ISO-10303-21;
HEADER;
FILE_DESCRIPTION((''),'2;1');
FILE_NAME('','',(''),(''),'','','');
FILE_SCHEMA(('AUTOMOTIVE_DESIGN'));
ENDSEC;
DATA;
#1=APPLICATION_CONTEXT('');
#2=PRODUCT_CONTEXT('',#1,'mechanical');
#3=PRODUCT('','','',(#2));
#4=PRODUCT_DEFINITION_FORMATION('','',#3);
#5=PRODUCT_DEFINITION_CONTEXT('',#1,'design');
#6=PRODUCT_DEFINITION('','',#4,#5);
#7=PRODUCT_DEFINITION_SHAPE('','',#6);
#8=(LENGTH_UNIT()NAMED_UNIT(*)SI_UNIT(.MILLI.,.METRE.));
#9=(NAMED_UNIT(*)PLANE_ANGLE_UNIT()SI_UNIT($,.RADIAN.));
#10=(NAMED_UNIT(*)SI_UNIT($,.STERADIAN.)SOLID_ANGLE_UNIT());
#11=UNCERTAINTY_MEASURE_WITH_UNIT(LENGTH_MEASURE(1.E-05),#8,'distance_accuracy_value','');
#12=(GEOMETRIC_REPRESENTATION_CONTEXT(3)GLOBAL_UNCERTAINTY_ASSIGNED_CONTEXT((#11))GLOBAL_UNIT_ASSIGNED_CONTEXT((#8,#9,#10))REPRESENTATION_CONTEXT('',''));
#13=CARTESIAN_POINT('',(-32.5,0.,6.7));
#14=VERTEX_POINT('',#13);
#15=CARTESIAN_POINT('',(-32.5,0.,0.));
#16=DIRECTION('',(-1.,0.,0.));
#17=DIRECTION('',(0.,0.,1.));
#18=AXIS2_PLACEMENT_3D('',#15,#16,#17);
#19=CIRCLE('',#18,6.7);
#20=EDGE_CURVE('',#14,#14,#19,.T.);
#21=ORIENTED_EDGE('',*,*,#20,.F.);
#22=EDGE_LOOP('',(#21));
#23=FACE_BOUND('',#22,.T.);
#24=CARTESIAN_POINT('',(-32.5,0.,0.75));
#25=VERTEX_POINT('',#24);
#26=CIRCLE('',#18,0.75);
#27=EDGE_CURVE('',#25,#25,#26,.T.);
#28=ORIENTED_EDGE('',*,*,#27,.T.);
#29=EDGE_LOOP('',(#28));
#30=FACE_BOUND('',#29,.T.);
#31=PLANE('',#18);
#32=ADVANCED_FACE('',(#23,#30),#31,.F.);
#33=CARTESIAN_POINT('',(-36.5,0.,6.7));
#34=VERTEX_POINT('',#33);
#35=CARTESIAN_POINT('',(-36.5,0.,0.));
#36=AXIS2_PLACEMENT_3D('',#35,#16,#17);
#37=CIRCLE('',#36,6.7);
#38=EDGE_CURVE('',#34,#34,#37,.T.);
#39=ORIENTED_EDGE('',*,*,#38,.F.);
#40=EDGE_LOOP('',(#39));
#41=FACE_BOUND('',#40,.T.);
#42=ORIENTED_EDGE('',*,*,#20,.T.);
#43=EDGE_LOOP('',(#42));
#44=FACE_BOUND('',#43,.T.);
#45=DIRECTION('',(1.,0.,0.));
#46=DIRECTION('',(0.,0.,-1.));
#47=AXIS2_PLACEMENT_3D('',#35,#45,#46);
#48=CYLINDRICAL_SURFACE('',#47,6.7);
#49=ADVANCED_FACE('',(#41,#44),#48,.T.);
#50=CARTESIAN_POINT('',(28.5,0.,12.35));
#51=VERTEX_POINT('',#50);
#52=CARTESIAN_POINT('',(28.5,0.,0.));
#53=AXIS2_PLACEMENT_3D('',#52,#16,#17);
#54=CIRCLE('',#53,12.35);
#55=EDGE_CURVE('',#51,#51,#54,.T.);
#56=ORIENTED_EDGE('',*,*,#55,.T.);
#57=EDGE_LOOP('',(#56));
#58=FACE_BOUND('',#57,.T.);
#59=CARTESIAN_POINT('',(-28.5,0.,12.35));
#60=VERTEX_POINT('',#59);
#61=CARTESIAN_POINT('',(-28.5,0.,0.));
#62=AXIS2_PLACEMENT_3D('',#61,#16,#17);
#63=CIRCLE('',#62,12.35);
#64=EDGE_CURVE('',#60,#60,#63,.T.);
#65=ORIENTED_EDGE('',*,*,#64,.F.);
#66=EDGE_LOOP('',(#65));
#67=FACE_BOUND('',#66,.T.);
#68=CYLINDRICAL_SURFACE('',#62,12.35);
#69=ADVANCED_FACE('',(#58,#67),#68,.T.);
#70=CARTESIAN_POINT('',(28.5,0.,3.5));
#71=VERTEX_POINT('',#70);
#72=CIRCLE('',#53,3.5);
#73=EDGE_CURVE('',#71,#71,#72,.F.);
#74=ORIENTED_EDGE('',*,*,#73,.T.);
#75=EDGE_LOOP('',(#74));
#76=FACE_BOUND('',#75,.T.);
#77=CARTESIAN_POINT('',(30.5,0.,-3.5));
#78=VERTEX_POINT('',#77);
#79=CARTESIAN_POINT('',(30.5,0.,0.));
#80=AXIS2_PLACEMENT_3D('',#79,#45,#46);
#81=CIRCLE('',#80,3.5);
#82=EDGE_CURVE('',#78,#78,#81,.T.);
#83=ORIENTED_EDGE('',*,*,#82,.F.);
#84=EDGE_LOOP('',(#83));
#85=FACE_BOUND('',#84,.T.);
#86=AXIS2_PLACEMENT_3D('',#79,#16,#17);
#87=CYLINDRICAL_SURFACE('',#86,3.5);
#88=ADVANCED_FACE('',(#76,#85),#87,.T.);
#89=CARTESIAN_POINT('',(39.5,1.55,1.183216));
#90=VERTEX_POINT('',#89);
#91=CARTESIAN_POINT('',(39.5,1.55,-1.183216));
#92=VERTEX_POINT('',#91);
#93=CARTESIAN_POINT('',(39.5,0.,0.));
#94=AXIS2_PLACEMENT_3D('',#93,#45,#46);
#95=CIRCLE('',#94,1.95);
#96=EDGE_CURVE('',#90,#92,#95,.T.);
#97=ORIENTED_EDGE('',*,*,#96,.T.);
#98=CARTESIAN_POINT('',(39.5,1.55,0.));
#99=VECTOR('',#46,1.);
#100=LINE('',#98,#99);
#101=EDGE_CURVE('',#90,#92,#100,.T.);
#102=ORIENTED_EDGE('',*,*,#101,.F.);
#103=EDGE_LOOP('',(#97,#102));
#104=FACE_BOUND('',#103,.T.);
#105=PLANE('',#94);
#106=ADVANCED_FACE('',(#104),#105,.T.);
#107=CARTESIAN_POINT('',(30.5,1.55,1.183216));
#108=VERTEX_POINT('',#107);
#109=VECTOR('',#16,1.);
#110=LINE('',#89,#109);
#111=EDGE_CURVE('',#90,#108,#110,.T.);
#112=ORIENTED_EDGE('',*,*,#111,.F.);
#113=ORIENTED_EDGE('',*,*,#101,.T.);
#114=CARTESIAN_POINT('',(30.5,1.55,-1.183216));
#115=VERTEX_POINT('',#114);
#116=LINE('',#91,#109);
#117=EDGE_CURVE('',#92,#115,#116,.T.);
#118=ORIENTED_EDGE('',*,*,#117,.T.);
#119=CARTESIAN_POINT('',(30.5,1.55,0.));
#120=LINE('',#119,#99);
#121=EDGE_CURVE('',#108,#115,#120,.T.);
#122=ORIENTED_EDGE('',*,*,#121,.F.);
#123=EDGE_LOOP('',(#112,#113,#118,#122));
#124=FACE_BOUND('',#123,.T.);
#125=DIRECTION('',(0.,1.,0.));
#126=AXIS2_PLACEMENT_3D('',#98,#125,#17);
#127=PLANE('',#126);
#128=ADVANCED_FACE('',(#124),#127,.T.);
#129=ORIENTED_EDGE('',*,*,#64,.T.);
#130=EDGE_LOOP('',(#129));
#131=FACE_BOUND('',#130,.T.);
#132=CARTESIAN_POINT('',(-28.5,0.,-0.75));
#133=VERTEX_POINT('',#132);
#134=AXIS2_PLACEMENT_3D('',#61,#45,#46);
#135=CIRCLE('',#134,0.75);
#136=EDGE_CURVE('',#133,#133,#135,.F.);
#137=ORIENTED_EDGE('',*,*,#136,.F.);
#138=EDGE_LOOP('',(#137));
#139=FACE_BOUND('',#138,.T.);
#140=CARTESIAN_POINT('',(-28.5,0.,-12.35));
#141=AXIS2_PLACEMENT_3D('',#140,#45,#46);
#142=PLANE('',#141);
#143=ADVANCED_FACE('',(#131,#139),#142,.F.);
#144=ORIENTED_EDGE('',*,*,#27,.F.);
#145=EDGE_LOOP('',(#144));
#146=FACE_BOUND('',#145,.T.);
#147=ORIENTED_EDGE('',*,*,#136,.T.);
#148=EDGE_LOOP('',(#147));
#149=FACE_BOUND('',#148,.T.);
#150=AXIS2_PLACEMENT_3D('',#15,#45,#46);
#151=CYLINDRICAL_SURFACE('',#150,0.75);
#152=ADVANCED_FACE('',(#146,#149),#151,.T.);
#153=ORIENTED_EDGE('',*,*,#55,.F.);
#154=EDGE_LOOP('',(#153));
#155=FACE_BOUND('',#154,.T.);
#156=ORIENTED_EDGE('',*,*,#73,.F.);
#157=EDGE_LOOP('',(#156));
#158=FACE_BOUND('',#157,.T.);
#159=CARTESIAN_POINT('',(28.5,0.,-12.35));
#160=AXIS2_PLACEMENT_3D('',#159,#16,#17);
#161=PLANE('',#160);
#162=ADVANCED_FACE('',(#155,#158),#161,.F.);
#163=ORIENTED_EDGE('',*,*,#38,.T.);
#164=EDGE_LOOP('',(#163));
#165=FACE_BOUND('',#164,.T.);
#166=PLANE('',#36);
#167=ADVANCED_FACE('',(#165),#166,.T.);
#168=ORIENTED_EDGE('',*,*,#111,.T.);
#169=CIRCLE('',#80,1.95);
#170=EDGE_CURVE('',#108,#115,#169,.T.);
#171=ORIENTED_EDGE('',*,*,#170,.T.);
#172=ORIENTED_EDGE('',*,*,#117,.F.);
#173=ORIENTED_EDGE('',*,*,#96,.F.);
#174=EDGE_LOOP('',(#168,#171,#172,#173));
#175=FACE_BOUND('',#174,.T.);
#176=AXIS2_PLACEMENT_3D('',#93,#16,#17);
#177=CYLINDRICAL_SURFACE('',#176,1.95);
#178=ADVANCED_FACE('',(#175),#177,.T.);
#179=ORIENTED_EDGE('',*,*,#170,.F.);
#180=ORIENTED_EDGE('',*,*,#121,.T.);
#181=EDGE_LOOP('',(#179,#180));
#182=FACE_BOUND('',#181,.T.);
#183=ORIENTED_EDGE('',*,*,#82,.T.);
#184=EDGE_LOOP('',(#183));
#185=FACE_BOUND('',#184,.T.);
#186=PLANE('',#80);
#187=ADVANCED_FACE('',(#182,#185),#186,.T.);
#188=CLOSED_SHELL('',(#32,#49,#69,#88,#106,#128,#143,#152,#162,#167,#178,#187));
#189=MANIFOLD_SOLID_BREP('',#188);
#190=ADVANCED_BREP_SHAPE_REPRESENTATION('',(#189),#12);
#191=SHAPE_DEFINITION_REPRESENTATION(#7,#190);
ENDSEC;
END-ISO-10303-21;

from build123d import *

# Parameters (mm, degrees)
SKETCH_1_W      = 57
SKETCH_1_H      = 12.35
SKETCH_2_R      = 3.5
EXTRUDE_1_DEPTH = 2
SKETCH_5_R      = 0.75
EXTRUDE_3_DEPTH = 4
SKETCH_6_R      = 6.7
EXTRUDE_4_DEPTH = 4
EXTRUDE_5_DEPTH = 9


with BuildPart() as part:
    # Эскиз1 → Повернуть1 (revolve)
    with BuildSketch(Plane(origin=(0, 0, 0), x_dir=(1, 0, 0), z_dir=(0, 1, 0)), mode=Mode.PRIVATE) as revolve_1_sk:
        with Locations((0, 6.175)):
            Rectangle(SKETCH_1_W, SKETCH_1_H)
    revolve(revolve_1_sk.sketch.rotate(Axis((-28.5, 0, 0), (1, 0, 0)), 180), axis=Axis((-28.5, 0, 0), (1, 0, 0)))

    # Эскиз2 → Бобышка-Вытянуть1 (add)
    with BuildSketch(Plane(origin=(28.5, 0, 0), x_dir=(0, 0, -1), z_dir=(1, 0, 0))):
        with Locations(Location((0, 0, 0), (0, 0, 180))):
            Circle(SKETCH_2_R)
    extrude(amount=EXTRUDE_1_DEPTH)

    # Эскиз5 → Бобышка-Вытянуть3 (add)
    with BuildSketch(Plane.ZY.offset(28.5)):
        with Locations(Location((0, 0, 0), (0, 0, 180))):
            Circle(SKETCH_5_R)
    extrude(amount=EXTRUDE_3_DEPTH)

    # Эскиз6 → Бобышка-Вытянуть4 (add)
    with BuildSketch(Plane.ZY.offset(32.5)):
        Circle(SKETCH_6_R)
    extrude(amount=EXTRUDE_4_DEPTH)

    # Эскиз3 → Бобышка-Вытянуть5 (add)
    with BuildSketch(Plane(origin=(30.5, 0, 0), x_dir=(0, 0, -1), z_dir=(1, 0, 0))):
        with BuildLine():
            Line((1.183215957, 1.55), (-1.183215957, 1.55))
            ThreePointArc((-1.183215957, 1.55), (-0.864647004, -1.747823091), (1.95, 0))
            ThreePointArc((1.95, 0), (1.747823091, 0.864647004), (1.183215957, 1.55))
        make_face()
    extrude(amount=EXTRUDE_5_DEPTH)


solid = part.part
